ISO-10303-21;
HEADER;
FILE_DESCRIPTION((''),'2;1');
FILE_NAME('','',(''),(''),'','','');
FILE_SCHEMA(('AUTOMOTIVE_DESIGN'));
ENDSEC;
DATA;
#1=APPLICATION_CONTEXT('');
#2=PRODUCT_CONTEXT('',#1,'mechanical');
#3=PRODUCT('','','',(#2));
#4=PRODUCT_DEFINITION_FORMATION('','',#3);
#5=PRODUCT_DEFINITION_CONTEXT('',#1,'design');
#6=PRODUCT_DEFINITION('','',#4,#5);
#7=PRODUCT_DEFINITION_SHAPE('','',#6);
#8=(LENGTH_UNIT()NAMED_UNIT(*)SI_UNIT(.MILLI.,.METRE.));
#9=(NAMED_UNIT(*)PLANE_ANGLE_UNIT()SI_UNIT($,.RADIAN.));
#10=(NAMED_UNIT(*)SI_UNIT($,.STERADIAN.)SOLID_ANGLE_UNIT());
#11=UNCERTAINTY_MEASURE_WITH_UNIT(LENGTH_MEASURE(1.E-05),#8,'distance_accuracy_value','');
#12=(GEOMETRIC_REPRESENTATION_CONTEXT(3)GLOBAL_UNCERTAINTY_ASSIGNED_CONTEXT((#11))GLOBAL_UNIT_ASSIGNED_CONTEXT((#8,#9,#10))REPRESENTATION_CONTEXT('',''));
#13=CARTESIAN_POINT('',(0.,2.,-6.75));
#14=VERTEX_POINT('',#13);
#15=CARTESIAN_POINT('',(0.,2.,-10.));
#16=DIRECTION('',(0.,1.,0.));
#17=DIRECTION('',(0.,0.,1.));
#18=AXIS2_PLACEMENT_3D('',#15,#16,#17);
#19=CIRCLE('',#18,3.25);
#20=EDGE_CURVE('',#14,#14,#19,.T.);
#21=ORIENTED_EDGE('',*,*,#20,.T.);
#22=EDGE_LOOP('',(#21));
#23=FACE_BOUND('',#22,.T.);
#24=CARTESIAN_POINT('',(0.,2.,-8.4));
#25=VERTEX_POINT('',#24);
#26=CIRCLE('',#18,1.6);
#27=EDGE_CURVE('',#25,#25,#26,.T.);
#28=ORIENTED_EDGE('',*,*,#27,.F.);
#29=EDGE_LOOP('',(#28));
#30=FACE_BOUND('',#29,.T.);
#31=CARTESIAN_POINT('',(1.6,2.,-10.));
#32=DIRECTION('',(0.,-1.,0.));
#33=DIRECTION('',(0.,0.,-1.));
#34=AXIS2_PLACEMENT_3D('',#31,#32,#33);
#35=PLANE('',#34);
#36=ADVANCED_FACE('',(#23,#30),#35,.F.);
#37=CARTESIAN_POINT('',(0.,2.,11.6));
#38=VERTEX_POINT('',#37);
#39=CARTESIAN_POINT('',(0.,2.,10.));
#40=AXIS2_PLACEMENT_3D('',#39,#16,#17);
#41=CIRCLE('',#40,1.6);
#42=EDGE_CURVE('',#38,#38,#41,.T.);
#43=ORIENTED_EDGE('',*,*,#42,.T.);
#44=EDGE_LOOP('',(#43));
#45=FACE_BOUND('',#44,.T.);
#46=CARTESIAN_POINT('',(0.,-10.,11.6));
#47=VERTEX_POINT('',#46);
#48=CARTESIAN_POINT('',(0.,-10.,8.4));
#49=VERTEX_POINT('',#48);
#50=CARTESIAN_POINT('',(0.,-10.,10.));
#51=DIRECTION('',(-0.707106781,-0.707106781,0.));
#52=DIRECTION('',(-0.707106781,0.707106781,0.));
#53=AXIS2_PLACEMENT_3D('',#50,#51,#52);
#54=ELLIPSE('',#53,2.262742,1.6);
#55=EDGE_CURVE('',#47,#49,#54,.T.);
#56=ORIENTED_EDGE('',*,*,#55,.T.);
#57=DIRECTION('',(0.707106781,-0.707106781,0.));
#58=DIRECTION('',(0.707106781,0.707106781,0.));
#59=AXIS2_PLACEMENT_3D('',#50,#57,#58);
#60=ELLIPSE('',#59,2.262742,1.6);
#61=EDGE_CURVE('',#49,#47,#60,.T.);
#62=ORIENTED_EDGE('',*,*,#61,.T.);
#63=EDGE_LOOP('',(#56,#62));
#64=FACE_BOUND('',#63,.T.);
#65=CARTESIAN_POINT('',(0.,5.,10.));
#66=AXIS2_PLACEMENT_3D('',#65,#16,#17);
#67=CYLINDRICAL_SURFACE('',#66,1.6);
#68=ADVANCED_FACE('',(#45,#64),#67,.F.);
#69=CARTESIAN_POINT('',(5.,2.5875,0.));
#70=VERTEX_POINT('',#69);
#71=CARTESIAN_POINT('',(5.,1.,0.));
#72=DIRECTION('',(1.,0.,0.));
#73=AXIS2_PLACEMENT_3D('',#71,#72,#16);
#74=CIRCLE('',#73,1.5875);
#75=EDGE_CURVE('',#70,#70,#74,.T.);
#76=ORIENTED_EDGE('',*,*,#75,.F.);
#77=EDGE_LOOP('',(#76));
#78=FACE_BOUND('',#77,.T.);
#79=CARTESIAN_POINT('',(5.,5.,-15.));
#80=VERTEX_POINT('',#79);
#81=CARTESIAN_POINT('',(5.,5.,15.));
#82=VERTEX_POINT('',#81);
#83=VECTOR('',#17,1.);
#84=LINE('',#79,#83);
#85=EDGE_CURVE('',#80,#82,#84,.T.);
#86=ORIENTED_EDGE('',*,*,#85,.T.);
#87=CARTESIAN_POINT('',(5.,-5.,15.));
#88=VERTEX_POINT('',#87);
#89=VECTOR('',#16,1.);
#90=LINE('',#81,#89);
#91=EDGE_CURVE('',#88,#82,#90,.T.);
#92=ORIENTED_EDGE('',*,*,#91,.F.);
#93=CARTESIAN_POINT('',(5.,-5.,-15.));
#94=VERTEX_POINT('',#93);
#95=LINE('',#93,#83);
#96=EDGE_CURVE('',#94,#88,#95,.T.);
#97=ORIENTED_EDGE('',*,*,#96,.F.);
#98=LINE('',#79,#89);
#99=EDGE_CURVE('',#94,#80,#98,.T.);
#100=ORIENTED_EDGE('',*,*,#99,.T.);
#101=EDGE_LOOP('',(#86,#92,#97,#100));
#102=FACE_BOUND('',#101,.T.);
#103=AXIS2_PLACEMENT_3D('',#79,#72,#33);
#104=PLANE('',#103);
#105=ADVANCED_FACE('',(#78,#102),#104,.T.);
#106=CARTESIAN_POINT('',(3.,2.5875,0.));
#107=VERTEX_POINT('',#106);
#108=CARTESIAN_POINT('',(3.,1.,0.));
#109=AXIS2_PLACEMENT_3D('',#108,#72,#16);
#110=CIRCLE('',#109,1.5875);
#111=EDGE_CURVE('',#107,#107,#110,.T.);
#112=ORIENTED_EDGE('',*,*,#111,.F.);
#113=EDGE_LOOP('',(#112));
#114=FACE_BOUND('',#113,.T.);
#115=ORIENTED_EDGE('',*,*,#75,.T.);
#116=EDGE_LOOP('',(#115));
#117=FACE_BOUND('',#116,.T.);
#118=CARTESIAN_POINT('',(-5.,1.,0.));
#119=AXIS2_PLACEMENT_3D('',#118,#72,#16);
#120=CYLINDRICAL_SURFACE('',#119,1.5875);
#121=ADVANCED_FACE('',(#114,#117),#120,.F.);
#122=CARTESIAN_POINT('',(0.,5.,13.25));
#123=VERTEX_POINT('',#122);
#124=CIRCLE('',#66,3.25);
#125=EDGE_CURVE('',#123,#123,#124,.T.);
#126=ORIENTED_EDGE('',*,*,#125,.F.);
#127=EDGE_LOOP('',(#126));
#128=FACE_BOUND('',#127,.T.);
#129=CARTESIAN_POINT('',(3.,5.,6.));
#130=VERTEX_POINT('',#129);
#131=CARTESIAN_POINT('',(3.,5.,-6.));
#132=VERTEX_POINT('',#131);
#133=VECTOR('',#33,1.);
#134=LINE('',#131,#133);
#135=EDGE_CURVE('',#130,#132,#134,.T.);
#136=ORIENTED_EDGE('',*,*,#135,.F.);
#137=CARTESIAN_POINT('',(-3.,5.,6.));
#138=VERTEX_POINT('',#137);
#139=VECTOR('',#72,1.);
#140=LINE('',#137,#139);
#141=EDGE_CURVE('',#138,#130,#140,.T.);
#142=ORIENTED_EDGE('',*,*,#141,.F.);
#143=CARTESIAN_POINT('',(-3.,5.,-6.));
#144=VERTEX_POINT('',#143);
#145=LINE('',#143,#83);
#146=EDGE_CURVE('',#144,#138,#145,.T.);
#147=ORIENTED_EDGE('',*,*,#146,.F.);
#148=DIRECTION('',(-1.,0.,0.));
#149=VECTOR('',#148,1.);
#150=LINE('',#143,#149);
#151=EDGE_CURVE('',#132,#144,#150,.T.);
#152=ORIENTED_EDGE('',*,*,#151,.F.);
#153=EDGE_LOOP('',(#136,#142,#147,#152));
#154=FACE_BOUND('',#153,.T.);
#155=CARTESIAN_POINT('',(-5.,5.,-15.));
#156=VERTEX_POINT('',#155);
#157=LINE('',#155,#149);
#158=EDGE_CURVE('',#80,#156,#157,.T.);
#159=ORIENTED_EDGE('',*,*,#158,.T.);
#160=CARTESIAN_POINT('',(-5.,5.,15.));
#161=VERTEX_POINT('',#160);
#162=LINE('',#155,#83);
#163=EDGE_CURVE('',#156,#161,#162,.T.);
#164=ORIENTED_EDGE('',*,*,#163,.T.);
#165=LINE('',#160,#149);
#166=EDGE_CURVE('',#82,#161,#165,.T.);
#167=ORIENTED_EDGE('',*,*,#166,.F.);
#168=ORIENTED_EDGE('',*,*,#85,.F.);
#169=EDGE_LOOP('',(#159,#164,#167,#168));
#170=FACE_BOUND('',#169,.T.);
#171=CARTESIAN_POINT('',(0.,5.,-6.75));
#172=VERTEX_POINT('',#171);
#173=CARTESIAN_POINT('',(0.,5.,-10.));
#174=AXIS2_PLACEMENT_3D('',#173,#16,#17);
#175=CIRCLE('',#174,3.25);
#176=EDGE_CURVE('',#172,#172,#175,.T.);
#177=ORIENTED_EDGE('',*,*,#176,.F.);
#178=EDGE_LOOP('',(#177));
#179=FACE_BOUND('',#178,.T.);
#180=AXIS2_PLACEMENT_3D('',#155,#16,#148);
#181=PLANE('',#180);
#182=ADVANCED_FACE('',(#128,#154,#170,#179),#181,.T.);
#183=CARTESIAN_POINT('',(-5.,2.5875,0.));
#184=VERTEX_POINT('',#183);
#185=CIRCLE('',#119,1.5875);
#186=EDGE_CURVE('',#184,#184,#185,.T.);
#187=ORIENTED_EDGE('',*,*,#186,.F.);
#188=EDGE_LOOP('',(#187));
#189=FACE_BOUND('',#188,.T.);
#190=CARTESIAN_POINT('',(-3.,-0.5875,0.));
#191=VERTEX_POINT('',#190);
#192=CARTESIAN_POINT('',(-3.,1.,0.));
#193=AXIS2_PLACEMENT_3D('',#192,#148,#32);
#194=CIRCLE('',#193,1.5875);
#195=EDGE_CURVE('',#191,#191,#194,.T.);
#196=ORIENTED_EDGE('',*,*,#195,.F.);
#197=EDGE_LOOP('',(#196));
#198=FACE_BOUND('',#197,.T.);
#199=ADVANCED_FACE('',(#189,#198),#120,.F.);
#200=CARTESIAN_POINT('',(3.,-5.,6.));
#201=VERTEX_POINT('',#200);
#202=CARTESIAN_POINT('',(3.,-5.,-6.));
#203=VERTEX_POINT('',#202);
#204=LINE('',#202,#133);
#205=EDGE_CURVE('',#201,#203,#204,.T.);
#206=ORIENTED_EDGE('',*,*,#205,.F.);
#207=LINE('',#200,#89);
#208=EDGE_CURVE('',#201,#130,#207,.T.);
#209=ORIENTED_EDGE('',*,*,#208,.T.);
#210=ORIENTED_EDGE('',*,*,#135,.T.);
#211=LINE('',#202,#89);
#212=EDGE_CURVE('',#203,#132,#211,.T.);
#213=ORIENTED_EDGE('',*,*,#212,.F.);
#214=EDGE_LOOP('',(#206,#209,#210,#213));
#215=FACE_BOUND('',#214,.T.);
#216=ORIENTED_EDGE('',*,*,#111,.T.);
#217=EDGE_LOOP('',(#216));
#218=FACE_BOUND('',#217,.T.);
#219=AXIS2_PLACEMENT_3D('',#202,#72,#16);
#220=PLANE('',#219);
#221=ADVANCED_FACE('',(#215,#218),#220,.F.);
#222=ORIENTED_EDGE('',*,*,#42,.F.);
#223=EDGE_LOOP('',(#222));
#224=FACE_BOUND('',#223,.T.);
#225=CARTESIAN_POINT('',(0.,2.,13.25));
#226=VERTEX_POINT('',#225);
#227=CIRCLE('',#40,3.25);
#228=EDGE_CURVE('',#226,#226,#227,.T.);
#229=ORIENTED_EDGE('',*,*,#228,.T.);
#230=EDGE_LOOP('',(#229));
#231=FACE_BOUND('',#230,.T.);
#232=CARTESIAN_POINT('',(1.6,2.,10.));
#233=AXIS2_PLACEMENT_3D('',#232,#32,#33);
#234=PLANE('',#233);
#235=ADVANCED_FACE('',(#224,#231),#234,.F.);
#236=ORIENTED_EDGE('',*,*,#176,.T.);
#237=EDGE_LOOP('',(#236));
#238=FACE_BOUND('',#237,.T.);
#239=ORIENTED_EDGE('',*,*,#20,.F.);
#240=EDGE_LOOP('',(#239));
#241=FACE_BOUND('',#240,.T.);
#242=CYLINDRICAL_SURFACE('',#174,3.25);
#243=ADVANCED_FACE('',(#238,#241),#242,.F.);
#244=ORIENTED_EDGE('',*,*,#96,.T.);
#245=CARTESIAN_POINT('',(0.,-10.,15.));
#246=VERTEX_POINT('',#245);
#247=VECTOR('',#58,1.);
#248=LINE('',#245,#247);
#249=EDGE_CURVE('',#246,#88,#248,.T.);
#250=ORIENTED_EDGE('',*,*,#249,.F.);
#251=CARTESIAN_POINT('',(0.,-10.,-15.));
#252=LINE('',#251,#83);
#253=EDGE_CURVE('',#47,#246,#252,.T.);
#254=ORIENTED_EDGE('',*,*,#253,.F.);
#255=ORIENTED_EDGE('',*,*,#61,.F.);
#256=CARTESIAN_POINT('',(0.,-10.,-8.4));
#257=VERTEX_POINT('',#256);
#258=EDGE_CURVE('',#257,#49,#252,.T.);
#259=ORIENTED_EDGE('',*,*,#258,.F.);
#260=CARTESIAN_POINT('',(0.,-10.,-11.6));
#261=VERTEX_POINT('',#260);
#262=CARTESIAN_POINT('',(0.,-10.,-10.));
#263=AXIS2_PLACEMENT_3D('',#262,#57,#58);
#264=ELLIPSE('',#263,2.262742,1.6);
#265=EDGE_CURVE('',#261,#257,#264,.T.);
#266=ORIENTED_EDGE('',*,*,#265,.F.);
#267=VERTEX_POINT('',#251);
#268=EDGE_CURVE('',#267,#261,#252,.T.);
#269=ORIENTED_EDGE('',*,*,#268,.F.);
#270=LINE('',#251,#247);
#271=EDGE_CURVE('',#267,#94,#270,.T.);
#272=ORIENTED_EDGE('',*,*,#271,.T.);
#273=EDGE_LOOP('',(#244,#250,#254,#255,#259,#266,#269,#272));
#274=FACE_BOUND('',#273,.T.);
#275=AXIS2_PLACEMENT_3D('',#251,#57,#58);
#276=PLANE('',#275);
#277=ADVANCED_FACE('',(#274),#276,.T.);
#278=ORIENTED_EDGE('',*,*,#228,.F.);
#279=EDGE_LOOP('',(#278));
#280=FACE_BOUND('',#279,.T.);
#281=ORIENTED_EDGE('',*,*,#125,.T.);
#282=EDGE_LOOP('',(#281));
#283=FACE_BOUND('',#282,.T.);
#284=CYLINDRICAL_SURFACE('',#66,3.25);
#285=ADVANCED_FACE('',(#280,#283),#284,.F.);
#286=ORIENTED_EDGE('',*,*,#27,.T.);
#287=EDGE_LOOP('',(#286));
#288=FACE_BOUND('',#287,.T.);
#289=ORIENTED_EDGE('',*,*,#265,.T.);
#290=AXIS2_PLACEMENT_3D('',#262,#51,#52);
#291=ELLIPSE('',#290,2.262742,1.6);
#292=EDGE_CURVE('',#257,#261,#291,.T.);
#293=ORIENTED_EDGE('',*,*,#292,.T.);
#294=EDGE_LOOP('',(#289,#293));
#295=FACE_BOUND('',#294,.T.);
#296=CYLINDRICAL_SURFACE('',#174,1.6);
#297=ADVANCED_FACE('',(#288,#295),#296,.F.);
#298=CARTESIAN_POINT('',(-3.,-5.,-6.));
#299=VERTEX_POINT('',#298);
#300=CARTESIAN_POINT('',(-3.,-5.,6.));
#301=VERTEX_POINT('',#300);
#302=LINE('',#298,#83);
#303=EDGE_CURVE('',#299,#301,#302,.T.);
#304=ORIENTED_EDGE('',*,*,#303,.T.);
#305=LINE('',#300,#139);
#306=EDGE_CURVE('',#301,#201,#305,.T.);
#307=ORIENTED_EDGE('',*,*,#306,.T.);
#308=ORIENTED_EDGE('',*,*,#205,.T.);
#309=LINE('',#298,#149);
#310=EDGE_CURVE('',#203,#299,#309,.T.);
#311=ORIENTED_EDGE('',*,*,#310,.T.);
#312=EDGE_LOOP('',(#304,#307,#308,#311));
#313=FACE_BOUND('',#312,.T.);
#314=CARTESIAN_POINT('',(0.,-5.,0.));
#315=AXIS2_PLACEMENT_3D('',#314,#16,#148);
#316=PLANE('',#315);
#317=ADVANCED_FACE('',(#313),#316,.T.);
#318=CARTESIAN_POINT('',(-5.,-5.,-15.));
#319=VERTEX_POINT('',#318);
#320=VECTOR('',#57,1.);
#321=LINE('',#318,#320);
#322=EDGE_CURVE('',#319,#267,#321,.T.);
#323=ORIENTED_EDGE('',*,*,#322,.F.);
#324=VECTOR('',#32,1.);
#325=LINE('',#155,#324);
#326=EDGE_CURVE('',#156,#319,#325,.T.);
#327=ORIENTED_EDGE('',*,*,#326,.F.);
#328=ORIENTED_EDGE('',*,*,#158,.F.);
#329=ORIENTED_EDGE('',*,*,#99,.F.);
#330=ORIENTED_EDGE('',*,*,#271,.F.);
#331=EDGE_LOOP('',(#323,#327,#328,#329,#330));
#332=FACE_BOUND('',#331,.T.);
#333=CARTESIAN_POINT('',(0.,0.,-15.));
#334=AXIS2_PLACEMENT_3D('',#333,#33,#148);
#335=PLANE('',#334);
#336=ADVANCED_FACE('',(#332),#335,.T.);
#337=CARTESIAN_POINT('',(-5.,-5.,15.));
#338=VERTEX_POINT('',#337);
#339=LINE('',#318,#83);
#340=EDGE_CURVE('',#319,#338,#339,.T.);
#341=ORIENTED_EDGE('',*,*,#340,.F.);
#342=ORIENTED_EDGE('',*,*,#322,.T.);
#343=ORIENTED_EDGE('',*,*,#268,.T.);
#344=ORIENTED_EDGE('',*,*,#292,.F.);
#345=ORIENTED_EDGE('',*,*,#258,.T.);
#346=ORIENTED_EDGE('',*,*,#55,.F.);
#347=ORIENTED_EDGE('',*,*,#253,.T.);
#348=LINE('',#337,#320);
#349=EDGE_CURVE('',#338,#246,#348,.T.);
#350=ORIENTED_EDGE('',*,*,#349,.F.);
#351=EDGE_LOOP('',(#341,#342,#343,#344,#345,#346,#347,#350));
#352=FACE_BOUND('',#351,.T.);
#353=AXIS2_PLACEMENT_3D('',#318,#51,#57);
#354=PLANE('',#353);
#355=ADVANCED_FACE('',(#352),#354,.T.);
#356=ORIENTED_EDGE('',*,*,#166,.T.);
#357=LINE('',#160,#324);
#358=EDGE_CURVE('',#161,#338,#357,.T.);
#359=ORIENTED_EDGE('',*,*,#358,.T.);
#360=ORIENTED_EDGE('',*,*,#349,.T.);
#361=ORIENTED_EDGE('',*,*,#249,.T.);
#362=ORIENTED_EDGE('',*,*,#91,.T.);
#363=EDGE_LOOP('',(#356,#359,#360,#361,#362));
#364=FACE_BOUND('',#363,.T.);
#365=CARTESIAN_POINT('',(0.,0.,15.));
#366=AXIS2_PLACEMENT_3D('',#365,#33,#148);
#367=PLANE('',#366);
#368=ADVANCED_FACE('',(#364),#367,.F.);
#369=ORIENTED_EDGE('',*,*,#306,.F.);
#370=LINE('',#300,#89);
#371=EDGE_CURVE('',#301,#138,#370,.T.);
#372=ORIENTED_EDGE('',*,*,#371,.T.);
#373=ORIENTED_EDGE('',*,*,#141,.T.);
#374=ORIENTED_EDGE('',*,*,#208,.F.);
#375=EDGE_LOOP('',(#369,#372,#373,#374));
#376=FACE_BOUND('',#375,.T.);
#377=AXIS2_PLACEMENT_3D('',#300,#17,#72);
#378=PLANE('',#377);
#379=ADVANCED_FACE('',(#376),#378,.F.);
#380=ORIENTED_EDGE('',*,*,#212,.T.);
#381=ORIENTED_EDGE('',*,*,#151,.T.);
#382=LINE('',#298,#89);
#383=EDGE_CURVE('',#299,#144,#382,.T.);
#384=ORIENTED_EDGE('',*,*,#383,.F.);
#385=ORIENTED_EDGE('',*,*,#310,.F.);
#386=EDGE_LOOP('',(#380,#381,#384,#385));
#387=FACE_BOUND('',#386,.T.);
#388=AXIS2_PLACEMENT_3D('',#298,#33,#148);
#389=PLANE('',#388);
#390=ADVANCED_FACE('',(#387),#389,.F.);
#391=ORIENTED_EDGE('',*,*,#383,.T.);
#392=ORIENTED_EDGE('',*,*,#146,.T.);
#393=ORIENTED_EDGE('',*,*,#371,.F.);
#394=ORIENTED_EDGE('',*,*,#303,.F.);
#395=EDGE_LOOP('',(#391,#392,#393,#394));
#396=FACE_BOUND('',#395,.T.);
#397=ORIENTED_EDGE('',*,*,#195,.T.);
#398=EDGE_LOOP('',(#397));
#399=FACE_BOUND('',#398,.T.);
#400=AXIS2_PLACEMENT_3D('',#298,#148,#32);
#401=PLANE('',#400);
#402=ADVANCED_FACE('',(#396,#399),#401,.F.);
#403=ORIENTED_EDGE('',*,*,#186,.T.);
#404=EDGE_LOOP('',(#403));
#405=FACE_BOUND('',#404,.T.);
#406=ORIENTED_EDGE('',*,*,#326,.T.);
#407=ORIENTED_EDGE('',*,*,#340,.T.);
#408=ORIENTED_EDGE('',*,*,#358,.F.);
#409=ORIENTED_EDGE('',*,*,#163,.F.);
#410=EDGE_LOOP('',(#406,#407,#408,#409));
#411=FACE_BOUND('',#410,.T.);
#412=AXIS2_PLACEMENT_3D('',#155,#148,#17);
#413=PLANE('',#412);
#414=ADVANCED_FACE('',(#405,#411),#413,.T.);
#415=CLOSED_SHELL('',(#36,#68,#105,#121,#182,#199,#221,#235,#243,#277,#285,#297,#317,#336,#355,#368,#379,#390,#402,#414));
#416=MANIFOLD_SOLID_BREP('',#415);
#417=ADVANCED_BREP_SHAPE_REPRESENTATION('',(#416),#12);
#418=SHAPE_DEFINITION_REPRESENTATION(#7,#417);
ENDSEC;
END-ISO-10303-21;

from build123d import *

# Parameters (mm, degrees)
BOSS_EXTRUDE1_DEPTH            = 15
BOSS_EXTRUDE1_DEPTH_BACK       = 15
SKETCH2_W                      = 6
SKETCH2_H                      = 12
CUT_EXTRUDE1_DEPTH             = 10
SKETCH3_R                      = 1.5875
CUT_EXTRUDE2_DEPTH             = 21.615528128
CBORE_FOR_M3_SHCS1_D           = 3.2
CBORE_FOR_M3_SHCS1_CBORE_D     = 6.5
CBORE_FOR_M3_SHCS1_CBORE_DEPTH = 3


with BuildPart() as part:
    # Sketch1 → Boss-Extrude1 (new, two sides: drawn at the far end of the back side and taken through both)
    with BuildSketch(Plane.XY.offset(-BOSS_EXTRUDE1_DEPTH_BACK)):
        Polygon((-5, 5), (5, 5), (5, -5), (0, -10), (-5, -5), align=None)
    extrude(amount=BOSS_EXTRUDE1_DEPTH + BOSS_EXTRUDE1_DEPTH_BACK)

    # Sketch2 → Cut-Extrude1 (cut)
    with BuildSketch(Plane(origin=(0, 5, 0), x_dir=(1, 0, 0), z_dir=(0, 1, 0))):
        Rectangle(SKETCH2_W, SKETCH2_H)
    extrude(amount=-CUT_EXTRUDE1_DEPTH, mode=Mode.SUBTRACT)

    # Sketch3 → Cut-Extrude2 (cut, through all)
    with BuildSketch(Plane(origin=(5, 0, 0), x_dir=(0, 0, -1), z_dir=(1, 0, 0))):
        with Locations((0, 1)):
            Circle(SKETCH3_R)
    extrude(amount=-CUT_EXTRUDE2_DEPTH, mode=Mode.SUBTRACT)

    # CBORE for M3 SHCS1 (through all)
    with Locations(Plane(origin=(0, 5, 0), x_dir=(1, 0, 0), z_dir=(0, 1, 0))):
        with Locations((0, -10), (0, 10)):
            CounterBoreHole(CBORE_FOR_M3_SHCS1_D / 2, CBORE_FOR_M3_SHCS1_CBORE_D / 2, CBORE_FOR_M3_SHCS1_CBORE_DEPTH)


solid = part.part
